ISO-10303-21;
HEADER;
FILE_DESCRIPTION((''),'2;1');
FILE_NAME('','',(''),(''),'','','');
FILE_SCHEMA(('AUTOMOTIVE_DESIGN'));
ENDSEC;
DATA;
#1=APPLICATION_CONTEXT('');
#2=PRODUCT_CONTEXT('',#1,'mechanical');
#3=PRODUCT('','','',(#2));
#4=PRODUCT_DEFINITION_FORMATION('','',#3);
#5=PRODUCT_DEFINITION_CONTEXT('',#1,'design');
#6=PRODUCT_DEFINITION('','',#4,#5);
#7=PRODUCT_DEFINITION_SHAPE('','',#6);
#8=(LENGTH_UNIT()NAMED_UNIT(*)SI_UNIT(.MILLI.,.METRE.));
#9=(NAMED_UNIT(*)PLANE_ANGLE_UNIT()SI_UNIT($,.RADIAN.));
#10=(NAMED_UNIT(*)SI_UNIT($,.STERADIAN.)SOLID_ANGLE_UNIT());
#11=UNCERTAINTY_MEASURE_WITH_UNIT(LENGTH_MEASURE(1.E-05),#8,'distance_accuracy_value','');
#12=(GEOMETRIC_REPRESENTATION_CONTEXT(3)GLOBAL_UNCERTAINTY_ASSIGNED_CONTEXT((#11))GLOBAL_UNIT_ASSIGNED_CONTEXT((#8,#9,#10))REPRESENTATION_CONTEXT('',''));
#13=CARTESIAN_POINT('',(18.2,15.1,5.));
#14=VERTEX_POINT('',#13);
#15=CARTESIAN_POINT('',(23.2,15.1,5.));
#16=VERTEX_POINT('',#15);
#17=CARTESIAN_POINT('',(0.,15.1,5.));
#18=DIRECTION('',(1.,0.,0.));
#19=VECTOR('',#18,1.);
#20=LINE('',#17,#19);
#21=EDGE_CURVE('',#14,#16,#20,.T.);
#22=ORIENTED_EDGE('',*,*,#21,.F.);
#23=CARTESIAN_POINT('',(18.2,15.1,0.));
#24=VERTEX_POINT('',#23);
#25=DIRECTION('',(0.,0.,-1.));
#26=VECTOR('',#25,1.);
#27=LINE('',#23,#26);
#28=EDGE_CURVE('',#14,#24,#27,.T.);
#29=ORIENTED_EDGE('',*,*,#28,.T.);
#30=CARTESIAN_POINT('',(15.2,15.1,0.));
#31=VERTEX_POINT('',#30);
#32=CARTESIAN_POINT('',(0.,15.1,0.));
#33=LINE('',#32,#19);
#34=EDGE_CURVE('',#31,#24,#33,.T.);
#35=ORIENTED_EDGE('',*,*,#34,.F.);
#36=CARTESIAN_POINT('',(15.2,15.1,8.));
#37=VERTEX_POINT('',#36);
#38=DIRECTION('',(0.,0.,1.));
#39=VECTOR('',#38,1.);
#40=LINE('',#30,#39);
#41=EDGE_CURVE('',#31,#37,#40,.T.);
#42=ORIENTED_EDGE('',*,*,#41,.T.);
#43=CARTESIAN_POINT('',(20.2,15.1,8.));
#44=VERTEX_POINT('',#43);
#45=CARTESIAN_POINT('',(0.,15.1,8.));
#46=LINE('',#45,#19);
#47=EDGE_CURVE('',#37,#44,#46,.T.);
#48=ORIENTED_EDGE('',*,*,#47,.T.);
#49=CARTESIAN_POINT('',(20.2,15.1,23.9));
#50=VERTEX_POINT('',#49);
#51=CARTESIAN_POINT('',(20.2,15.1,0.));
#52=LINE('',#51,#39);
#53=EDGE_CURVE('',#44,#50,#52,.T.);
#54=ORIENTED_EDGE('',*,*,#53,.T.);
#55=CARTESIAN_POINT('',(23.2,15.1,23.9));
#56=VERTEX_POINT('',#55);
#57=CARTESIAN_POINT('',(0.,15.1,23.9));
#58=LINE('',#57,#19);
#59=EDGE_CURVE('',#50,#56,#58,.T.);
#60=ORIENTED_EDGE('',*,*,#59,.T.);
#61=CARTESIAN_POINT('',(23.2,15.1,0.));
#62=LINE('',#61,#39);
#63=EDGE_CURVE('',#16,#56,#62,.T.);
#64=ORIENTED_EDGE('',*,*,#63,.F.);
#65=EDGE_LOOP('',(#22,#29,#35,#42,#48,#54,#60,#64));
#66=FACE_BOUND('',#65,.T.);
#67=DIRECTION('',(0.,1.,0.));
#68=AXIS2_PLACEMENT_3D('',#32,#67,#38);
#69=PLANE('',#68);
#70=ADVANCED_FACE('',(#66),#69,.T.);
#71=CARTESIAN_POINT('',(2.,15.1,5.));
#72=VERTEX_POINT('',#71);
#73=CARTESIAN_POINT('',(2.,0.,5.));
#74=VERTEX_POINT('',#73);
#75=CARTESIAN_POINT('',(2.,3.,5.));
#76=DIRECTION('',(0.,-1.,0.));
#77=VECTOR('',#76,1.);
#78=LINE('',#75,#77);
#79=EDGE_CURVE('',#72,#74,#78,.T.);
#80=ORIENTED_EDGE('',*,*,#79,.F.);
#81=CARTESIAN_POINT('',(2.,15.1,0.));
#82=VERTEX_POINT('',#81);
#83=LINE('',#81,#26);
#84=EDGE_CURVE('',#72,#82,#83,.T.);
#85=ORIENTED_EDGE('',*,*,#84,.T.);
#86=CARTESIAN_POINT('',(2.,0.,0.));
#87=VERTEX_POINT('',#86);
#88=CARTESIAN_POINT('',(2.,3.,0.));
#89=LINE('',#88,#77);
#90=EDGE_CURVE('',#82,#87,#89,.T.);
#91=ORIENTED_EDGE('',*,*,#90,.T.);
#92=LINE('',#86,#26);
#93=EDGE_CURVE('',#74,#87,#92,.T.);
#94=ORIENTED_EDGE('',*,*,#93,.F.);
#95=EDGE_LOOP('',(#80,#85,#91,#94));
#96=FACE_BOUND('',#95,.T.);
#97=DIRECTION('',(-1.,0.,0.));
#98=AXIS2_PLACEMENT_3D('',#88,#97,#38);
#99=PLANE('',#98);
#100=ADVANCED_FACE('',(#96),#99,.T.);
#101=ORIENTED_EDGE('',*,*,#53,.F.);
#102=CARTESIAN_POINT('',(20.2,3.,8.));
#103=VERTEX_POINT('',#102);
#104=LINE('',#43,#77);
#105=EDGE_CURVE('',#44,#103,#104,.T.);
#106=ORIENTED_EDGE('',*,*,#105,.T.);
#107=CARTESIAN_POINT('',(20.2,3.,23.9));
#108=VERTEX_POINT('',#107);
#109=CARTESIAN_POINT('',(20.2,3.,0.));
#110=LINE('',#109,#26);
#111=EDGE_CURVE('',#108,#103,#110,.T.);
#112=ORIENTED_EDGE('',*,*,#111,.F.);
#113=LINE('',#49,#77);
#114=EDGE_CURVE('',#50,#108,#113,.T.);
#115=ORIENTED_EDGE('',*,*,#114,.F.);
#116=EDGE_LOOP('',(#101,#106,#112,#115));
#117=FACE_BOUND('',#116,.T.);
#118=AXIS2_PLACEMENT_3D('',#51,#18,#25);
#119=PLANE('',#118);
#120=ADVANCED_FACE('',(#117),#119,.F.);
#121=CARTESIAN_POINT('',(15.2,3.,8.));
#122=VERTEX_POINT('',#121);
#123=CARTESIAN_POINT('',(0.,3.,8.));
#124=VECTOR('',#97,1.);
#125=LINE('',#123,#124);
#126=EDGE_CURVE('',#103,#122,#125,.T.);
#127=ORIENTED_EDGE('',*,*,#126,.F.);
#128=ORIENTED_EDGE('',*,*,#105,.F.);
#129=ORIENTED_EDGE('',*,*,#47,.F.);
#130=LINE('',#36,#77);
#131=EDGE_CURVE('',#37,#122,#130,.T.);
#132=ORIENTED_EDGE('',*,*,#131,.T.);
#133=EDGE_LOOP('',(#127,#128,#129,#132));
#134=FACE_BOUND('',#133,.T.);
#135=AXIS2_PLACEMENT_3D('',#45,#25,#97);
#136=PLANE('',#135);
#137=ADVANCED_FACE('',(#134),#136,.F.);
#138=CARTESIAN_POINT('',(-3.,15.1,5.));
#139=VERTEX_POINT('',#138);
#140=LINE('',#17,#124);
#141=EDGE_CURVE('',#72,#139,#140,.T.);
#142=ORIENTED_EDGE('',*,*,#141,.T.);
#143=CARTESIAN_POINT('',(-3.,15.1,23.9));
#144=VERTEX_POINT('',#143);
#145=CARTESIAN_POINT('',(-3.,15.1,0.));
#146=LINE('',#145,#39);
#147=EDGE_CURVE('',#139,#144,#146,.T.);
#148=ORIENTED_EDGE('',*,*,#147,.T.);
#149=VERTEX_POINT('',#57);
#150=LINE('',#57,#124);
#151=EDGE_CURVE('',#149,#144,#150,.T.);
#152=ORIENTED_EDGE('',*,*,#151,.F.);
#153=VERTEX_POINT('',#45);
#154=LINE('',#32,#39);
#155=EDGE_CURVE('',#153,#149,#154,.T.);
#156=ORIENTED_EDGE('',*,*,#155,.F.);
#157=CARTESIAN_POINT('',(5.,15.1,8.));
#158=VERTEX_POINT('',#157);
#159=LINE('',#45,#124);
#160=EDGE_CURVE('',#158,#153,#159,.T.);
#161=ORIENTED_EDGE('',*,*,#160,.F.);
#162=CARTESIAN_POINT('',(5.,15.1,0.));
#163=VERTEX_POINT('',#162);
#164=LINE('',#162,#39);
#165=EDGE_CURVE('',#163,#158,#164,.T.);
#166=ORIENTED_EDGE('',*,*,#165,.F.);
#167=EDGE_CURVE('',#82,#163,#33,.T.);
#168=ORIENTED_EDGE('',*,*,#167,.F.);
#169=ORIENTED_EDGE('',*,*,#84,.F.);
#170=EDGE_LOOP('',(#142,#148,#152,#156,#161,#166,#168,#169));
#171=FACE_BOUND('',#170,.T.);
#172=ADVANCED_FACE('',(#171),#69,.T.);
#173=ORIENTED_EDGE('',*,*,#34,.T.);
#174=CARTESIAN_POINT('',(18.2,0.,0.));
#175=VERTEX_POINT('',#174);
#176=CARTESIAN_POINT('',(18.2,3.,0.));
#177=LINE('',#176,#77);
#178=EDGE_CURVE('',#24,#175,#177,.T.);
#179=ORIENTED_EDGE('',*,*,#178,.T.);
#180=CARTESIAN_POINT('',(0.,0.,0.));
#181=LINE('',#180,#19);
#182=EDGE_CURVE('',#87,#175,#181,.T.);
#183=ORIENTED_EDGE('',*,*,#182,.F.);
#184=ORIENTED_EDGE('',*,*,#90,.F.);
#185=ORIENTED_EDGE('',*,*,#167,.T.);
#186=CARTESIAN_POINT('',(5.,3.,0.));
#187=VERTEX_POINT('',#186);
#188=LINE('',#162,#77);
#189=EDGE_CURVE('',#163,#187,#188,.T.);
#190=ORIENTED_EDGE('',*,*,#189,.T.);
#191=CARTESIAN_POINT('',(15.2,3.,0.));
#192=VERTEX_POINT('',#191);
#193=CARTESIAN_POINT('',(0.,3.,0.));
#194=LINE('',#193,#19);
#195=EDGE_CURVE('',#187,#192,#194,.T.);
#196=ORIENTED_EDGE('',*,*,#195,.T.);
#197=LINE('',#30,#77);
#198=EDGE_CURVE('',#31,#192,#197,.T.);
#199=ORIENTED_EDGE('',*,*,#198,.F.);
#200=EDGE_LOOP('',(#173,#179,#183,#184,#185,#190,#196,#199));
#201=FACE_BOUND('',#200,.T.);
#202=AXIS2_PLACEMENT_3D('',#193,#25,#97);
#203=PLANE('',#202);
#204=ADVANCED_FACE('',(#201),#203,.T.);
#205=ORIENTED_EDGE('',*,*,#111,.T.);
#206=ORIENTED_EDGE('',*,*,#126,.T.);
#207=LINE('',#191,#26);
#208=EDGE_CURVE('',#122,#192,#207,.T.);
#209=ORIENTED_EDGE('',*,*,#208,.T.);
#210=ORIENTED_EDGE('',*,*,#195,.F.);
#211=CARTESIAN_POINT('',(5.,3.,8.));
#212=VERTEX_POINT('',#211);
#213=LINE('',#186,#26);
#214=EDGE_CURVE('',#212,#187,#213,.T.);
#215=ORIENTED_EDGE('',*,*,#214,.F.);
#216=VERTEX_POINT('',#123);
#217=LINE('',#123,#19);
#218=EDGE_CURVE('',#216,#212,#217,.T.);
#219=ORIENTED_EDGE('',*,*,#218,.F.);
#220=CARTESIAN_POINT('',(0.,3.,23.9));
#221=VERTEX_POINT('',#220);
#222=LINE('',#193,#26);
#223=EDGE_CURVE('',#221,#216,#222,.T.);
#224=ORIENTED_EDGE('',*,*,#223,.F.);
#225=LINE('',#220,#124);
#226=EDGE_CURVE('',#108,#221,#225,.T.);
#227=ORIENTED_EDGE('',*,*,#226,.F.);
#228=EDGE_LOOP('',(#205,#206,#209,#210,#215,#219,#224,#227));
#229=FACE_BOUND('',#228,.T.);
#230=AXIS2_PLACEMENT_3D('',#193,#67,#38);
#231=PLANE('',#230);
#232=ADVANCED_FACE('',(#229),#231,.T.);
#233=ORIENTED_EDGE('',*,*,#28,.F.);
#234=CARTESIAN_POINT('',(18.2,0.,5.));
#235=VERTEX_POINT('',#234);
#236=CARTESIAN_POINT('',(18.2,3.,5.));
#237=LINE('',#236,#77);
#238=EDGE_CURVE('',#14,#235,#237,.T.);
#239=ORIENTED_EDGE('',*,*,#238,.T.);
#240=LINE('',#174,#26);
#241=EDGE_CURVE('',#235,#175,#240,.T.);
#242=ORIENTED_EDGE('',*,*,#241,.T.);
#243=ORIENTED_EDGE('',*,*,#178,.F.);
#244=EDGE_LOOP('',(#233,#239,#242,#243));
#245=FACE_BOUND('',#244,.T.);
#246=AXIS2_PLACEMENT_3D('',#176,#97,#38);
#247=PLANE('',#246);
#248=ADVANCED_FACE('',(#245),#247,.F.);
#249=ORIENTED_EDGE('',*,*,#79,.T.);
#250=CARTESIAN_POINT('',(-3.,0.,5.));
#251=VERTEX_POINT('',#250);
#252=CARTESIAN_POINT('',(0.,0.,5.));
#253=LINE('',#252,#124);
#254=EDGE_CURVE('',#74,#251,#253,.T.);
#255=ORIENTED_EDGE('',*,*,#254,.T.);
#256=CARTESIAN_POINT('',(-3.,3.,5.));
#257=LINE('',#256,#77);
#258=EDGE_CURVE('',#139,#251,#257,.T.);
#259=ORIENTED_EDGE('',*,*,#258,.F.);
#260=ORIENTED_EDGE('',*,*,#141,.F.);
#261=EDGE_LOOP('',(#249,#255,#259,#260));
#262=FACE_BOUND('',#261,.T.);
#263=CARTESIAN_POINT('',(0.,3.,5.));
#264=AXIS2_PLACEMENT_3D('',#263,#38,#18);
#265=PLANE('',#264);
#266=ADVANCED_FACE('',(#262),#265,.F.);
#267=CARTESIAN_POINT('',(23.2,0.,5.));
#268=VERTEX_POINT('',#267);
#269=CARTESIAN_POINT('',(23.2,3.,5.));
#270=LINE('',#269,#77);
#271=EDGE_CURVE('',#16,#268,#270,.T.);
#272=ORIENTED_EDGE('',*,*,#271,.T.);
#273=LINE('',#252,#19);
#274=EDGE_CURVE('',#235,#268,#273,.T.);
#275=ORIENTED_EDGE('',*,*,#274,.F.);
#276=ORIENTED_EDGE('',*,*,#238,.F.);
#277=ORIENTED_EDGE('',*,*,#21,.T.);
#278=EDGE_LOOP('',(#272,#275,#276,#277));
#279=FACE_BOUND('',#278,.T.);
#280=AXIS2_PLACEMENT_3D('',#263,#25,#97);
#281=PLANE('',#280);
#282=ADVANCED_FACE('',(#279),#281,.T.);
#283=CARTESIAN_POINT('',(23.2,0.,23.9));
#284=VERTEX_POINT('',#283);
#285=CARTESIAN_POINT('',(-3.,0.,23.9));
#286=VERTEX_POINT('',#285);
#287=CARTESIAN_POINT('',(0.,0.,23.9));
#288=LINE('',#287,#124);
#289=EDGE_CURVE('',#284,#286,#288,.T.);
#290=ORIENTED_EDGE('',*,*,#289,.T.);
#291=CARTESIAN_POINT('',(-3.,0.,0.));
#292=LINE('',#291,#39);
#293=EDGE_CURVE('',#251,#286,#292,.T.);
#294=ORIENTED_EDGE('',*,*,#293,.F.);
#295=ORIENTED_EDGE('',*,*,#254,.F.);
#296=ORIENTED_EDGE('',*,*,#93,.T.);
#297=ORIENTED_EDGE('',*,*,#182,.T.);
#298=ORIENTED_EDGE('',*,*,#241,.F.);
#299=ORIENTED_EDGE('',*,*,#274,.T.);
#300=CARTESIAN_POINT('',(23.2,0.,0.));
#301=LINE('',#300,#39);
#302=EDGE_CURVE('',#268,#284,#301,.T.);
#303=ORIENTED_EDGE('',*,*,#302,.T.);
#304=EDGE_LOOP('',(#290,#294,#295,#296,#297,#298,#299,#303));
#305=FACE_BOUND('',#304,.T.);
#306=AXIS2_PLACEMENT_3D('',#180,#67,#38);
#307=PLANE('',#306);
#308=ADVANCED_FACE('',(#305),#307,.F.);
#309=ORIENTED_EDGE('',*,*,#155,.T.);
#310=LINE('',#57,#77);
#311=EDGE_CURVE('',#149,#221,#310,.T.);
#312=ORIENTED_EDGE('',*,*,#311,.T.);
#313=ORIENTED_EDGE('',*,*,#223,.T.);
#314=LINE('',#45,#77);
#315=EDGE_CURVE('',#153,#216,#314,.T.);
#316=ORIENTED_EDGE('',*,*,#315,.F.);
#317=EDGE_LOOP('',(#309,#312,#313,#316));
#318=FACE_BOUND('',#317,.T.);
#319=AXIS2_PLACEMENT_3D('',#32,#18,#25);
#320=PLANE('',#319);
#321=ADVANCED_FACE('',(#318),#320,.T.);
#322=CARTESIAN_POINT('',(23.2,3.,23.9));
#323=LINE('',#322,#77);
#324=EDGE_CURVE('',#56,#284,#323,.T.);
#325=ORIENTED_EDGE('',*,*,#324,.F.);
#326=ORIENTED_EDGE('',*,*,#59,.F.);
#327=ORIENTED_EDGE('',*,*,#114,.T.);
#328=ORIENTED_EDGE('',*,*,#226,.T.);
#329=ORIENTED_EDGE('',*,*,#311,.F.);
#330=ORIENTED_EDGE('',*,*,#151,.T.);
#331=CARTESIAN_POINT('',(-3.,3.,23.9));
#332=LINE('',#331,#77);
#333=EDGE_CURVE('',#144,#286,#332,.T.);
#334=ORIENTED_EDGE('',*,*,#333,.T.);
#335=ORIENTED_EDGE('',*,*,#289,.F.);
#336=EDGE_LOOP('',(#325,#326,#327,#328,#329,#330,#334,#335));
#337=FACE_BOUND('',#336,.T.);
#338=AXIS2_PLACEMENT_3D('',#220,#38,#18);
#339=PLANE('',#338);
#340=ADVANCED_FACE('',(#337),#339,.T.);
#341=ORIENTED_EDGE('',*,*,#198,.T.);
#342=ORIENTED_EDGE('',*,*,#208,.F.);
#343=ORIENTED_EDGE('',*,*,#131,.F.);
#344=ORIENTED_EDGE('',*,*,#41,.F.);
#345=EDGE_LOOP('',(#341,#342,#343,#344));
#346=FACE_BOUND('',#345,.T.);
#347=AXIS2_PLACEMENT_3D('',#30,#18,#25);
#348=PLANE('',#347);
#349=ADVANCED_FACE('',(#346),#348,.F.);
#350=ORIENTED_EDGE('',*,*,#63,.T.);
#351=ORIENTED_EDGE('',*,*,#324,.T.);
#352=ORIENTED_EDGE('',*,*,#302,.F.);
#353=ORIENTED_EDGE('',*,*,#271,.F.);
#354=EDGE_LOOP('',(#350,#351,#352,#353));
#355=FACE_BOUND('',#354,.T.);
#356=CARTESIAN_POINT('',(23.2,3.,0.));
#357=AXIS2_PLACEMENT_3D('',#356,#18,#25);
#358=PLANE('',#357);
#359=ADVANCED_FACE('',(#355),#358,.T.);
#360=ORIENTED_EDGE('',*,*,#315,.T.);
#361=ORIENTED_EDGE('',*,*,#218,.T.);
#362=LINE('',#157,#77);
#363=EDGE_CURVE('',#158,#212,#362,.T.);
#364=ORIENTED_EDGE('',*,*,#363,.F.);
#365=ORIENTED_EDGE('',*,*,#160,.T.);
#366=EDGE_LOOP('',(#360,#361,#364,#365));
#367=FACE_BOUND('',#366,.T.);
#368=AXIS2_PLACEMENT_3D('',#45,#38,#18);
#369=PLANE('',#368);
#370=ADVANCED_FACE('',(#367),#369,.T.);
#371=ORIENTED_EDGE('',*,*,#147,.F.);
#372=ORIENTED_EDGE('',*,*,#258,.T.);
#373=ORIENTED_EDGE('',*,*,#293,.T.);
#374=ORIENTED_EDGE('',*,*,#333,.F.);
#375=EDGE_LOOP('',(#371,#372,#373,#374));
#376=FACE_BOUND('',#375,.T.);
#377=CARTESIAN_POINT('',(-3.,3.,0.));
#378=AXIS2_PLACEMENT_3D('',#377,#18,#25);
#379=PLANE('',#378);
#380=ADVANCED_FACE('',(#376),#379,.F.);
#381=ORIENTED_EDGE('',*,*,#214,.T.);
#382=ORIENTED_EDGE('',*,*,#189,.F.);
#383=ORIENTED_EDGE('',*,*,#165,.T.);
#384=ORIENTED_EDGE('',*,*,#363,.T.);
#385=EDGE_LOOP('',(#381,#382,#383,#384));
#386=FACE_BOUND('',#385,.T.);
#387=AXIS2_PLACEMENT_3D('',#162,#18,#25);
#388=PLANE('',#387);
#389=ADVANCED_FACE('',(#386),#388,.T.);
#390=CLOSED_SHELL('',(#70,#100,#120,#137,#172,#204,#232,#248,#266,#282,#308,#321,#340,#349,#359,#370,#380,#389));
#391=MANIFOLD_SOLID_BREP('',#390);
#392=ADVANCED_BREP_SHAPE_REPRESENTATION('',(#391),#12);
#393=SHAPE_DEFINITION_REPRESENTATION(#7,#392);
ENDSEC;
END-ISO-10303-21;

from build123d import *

# Parameters (mm, degrees)
BOSS_EXTRUDE1_DEPTH = 3
BOSS_EXTRUDE2_DEPTH = 15.1


with BuildPart() as part:
    # Sketch1 → Boss-Extrude1 (new body)
    with BuildSketch(Plane(origin=(0, 0, 0), x_dir=(1, 0, 0), z_dir=(0, 1, 0))):
        Polygon((2, 0), (2, -5), (-3, -5), (-3, -23.9), (23.2, -23.9), (23.2, -5), (18.2, -5), (18.2, 0), align=None)
    extrude(amount=BOSS_EXTRUDE1_DEPTH)

    # Sketch1<3> → Boss-Extrude2 (add)
    with BuildSketch(Plane(origin=(0, 0, 0), x_dir=(1, 0, 0), z_dir=(0, 1, 0))):
        Polygon((5, -8), (5, 0), (2, 0), (2, -5), (-3, -5), (-3, -23.9), (0, -23.9), (0, -8), align=None)
        Polygon((18.2, 0), (15.2, 0), (15.2, -8), (20.2, -8), (20.2, -23.9), (23.2, -23.9), (23.2, -5), (18.2, -5), align=None)
    extrude(amount=BOSS_EXTRUDE2_DEPTH)


solid = part.part
